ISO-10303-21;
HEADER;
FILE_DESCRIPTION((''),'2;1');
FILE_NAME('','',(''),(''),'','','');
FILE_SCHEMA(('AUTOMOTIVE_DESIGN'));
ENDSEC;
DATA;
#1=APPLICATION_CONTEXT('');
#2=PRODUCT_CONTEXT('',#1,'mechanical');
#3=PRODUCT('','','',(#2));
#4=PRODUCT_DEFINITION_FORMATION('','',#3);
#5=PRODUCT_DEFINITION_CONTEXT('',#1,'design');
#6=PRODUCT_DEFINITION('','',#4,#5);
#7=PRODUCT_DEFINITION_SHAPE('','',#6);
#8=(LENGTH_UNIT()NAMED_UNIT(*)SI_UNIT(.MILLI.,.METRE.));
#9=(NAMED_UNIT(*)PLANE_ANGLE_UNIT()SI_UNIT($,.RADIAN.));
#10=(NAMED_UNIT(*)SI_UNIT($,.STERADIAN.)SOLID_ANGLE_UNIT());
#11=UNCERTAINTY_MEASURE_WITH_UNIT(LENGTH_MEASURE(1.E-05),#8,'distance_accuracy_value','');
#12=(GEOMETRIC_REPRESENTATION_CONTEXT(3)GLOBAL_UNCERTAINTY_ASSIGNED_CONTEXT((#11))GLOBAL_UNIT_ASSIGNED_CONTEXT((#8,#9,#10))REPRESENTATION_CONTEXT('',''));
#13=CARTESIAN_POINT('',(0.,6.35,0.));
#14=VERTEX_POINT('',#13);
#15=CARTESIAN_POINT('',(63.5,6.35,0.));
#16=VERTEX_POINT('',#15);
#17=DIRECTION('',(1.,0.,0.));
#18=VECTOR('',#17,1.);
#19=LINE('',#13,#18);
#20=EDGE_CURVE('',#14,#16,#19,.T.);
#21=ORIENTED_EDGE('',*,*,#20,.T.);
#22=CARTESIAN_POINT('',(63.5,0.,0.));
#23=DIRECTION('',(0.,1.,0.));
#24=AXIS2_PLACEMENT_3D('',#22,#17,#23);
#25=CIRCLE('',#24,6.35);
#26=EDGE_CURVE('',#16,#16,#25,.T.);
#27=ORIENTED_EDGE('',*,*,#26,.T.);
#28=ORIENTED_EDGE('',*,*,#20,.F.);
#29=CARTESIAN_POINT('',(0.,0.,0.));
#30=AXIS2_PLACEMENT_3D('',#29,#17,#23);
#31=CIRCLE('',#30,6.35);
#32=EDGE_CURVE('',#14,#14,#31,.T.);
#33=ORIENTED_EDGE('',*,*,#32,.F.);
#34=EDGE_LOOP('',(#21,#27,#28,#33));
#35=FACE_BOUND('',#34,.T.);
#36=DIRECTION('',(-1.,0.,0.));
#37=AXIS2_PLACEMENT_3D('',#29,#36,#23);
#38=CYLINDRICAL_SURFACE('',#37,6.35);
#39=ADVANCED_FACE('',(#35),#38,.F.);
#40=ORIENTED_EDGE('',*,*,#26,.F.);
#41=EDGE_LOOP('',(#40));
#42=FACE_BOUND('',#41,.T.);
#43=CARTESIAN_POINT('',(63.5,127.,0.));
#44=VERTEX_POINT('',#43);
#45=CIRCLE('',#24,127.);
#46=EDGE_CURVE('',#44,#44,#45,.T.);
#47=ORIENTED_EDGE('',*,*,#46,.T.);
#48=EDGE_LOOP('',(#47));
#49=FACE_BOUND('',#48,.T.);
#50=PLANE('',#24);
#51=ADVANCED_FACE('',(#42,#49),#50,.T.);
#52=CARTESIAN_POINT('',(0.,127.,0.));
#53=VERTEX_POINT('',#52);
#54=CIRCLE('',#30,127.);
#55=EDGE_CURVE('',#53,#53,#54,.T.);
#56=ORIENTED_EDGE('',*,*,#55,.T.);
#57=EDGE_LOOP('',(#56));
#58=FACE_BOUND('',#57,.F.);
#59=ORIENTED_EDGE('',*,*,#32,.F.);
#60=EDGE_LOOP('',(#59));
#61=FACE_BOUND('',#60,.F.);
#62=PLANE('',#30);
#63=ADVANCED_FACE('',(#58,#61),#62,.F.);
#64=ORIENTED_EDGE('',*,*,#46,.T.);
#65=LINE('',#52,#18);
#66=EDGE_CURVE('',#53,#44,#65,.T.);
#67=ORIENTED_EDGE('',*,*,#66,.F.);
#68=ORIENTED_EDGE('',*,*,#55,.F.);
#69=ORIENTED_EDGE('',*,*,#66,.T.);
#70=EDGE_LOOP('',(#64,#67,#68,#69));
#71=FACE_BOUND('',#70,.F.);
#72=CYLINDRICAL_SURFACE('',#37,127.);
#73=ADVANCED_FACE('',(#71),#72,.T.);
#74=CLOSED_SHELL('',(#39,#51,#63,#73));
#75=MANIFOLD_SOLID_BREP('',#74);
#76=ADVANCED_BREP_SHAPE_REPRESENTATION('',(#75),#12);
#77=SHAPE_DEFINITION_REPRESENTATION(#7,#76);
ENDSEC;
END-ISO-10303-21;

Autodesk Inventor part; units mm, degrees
ref_plane "YZ Plane" through (0, 0, 0) normal (1, 0, 0) x (0, 1, 0)
ref_plane "XZ Plane" through (0, 0, 0) normal (0, 1, 0) x (-1, 0, 0)
ref_plane "XY Plane" through (0, 0, 0) normal (0, 0, 1) x (1, 0, 0)
sketch "Sketch1" plane through (0, 0, 0) normal (1, 0, 0) x (0, 1, 0)
  circle A0 centre (0, 0) radius 6.35
  circle A1 centre (0, 0) radius 127
  dimension "d0" = 12.7
  dimension "d1" = 254
extrude "Extrusion1" add sketch "Sketch1" along normal blind 63.5
properties part number "Weight"
